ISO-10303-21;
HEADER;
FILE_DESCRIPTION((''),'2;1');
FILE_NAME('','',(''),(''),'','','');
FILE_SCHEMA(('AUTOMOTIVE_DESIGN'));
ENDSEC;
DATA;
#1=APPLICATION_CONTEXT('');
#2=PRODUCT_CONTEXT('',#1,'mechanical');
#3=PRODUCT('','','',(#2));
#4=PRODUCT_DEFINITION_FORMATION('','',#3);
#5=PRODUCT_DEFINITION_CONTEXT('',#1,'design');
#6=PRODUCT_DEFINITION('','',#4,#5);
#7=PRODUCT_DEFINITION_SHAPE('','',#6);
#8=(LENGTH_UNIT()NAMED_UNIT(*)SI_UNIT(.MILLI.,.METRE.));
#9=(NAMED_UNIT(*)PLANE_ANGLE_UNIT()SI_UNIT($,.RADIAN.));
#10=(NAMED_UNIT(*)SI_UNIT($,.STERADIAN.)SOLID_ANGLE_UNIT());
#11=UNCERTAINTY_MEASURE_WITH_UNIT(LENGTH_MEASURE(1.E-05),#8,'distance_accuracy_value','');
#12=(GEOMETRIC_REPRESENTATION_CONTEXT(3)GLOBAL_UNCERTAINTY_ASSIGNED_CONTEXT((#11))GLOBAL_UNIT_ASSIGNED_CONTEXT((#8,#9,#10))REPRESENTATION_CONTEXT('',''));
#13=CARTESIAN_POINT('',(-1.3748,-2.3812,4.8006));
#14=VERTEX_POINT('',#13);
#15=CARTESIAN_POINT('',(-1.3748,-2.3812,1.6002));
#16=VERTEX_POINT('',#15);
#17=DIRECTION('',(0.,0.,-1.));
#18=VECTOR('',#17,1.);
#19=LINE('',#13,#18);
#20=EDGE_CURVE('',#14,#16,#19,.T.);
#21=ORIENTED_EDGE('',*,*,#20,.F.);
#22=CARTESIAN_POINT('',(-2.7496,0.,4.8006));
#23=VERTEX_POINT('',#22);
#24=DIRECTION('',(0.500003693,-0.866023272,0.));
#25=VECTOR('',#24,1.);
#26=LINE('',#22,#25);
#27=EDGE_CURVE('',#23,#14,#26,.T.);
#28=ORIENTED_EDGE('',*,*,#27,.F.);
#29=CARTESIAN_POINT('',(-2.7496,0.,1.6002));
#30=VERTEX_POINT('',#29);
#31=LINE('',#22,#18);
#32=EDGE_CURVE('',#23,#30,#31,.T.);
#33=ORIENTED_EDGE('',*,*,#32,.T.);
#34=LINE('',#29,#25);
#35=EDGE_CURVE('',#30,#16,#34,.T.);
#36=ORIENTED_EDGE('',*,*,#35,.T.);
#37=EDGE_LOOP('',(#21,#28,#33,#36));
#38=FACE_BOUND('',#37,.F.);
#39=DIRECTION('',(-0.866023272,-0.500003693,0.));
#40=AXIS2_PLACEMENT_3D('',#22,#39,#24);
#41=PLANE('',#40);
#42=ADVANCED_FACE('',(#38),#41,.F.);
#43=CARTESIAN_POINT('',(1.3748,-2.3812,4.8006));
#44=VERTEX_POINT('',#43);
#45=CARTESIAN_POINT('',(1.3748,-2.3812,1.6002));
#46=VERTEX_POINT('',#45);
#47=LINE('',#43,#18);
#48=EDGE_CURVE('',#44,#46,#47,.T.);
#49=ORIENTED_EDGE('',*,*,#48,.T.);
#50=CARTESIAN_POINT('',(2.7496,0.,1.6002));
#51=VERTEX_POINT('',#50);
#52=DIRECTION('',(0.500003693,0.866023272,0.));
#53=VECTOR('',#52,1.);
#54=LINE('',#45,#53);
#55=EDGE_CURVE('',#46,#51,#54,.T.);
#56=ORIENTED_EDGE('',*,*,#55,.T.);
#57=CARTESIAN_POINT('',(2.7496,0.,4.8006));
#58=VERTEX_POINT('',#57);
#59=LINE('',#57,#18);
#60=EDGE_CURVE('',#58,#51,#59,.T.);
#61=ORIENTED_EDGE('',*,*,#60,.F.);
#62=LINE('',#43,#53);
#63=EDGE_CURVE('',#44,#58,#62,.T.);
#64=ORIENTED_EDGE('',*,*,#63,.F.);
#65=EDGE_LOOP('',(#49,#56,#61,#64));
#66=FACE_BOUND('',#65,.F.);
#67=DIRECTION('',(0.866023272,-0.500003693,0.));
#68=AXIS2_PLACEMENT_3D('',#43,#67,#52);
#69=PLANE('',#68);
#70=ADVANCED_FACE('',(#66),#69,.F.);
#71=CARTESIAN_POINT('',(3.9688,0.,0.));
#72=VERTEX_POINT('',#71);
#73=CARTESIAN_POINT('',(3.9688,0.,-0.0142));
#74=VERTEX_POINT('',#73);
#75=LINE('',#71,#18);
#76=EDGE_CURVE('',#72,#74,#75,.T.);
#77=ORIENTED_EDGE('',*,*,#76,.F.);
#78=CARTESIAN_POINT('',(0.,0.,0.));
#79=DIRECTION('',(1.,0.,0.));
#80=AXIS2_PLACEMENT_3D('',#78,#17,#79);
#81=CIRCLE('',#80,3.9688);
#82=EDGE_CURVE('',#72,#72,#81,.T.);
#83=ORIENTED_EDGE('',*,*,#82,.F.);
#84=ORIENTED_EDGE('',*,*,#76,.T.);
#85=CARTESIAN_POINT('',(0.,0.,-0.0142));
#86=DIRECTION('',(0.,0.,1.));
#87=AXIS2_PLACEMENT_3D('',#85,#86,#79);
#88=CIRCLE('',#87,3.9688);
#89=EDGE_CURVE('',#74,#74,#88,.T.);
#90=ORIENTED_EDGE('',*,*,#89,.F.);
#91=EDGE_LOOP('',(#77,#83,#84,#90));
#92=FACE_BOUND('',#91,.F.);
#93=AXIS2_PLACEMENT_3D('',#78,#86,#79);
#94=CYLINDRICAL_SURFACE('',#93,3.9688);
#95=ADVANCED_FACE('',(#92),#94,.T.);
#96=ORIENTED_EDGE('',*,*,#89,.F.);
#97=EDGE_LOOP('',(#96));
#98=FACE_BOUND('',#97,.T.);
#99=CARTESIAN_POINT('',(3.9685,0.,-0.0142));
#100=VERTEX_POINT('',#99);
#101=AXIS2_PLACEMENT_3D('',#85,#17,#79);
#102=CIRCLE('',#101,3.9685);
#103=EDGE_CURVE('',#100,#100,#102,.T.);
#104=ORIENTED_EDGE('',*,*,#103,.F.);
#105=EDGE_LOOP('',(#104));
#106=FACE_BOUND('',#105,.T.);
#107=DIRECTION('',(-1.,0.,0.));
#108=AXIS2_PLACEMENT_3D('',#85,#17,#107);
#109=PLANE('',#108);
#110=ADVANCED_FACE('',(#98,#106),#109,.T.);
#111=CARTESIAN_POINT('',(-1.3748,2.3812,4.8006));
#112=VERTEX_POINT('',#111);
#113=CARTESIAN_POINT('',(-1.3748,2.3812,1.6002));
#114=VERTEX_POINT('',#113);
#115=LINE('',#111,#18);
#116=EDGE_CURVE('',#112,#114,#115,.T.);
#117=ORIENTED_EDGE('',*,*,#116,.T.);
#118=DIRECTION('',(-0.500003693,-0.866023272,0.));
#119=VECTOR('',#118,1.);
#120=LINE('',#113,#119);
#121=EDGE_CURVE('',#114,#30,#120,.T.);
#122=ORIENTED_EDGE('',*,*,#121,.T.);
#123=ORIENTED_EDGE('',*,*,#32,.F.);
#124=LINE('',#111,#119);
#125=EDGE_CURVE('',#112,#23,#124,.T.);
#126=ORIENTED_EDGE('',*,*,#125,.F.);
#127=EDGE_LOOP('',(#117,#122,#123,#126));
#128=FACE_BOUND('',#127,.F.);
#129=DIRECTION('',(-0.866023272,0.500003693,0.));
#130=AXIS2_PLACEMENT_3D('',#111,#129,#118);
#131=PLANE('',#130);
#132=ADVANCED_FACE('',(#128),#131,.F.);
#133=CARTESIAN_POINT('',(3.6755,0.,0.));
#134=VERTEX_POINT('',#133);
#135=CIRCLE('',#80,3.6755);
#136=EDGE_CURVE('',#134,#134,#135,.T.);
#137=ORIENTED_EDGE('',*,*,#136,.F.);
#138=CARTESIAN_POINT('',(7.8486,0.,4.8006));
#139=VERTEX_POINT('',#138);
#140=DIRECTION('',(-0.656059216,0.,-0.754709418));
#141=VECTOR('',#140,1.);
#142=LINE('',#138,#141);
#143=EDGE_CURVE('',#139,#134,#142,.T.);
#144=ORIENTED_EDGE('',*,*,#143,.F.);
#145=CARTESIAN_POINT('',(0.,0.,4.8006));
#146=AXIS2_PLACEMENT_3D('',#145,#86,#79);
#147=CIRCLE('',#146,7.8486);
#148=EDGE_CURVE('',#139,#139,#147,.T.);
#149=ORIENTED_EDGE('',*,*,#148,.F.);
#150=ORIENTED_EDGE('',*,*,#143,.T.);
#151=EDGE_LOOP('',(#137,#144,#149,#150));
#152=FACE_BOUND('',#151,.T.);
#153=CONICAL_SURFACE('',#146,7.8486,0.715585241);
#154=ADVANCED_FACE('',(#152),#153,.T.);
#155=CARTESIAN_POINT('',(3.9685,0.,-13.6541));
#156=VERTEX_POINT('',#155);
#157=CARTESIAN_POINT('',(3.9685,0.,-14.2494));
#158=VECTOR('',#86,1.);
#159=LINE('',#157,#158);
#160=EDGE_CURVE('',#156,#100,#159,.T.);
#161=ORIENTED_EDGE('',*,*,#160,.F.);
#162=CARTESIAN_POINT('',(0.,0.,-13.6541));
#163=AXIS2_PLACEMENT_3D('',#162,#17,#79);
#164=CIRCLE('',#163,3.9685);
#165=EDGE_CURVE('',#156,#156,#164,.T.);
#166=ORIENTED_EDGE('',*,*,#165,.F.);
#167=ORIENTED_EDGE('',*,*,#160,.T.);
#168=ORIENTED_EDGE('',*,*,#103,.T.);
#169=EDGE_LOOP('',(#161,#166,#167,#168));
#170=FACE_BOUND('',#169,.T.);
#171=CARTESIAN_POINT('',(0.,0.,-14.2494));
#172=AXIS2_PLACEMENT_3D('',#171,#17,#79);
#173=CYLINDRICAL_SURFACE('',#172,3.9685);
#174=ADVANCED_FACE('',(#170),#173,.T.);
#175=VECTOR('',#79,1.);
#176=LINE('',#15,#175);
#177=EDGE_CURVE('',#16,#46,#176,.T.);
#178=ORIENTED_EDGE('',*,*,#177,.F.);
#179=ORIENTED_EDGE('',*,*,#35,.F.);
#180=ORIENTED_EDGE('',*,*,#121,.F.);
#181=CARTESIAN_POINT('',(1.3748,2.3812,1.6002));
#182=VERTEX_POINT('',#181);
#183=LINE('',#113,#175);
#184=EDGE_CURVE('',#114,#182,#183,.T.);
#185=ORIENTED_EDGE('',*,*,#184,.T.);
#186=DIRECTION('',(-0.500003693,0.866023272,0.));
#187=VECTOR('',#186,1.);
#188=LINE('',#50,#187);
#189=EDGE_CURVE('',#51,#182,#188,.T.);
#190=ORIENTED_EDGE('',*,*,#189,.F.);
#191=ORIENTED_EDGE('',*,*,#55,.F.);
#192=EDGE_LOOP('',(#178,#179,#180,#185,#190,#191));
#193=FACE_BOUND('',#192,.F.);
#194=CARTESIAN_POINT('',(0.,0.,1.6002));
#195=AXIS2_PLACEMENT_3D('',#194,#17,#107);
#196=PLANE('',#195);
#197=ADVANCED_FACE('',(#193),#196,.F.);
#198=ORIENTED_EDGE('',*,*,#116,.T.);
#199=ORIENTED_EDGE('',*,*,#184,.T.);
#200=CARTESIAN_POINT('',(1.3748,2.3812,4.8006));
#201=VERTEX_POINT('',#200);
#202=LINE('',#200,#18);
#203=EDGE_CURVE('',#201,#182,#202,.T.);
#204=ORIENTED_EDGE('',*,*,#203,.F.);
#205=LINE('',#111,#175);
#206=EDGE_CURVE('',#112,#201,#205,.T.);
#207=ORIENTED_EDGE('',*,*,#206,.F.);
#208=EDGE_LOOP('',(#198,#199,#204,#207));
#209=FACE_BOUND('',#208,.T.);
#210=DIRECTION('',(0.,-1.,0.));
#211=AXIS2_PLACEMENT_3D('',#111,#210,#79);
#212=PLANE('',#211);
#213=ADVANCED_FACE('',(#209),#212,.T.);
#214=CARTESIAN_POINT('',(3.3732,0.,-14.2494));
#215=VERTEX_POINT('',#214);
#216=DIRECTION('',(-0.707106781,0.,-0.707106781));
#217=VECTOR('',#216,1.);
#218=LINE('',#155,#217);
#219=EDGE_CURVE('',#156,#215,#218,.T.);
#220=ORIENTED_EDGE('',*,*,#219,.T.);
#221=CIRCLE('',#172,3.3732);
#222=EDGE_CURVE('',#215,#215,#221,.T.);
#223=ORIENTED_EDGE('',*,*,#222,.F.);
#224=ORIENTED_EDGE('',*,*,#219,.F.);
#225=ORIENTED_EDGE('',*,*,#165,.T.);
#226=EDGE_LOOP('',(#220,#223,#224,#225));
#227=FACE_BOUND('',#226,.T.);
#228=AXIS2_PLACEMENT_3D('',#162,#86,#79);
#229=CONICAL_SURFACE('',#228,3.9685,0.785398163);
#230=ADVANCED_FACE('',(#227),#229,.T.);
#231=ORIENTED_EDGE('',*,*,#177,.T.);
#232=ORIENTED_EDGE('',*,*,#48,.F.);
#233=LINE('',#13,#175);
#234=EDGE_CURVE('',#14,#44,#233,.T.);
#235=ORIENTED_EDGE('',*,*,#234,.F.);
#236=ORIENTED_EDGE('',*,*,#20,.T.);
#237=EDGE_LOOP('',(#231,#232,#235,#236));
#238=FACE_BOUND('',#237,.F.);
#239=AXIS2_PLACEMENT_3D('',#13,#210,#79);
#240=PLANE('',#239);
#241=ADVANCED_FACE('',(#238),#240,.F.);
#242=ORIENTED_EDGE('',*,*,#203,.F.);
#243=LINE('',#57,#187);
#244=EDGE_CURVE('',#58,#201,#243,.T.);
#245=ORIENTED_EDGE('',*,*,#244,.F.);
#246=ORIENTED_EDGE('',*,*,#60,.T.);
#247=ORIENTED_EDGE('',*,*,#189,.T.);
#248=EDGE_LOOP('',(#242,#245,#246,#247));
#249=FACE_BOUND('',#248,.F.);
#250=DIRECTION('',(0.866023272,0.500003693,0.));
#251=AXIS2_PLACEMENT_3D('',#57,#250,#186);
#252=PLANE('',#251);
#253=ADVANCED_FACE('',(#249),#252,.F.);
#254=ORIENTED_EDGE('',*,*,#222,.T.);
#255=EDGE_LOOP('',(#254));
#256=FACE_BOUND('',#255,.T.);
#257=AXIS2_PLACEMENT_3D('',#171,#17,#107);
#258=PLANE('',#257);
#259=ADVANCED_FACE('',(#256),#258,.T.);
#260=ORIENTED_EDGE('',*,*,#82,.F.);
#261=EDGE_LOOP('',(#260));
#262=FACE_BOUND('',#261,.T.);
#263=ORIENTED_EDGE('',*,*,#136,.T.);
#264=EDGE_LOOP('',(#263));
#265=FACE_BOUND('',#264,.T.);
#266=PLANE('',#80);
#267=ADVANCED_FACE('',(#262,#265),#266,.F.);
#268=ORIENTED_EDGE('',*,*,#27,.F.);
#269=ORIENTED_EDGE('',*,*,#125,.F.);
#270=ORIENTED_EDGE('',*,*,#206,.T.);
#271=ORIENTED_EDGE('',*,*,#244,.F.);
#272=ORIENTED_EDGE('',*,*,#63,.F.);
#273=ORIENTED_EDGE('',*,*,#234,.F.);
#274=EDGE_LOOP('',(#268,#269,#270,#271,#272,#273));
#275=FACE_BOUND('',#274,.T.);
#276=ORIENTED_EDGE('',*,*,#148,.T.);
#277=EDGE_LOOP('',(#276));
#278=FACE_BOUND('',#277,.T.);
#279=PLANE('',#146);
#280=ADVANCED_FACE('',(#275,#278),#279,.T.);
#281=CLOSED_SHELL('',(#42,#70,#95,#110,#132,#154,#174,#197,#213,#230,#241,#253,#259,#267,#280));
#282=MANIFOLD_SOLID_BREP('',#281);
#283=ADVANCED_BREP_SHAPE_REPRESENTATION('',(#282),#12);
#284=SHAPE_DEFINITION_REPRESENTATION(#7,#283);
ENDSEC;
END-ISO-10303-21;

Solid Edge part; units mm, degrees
sketch "Sketch1" plane through (0, 0, 0) normal (0, 0, 1) x (1, 0, 0)
  circle A0 centre (0, 0) radius 7.8486
  dimension "D1" = 15.6972
extrude "Protrusion1" add sketch "Sketch1" along normal blind 4.8006
sketch "Sketch2" plane through (0, 0, 0) normal (0, 0, -1) x (1, 0, 0)
  circle A0 centre (0, 0) radius 3.9688
extrude "Protrusion2" add sketch "Sketch2" along normal blind 14.2494
sketch "Sketch3" plane through (0, 0, -14.2494) normal (0, 0, -1) x (1, 0, 0)
  circle A0 centre (0, 0) radius 3.9685
extrude "Cutout1" cut sketch "Sketch3" against normal blind 14.2352 flip side to cut
chamfer "Chamfer_1" distance 0.5953 angle 45 1 edges at (-3.9685, 0, -14.2494)
sketch "Sketch4" plane through (0, 0, 4.8006) normal (0, 0, 1) x (1, 0, 0)
  line L0 (-1.3748, 2.3812) -> (1.3748, 2.3812)
  line L1 (2.7496, 0) -> (1.3748, 2.3812)
  line L2 (1.3748, -2.3812) -> (2.7496, 0)
  line L3 (-1.3748, -2.3812) -> (1.3748, -2.3812)
  line L4 (-2.7496, 0) -> (-1.3748, -2.3812)
  line L5 (-1.3748, 2.3812) -> (-2.7496, 0)
  dimension "D1" = 4.7625
extrude "Cutout2" cut sketch "Sketch4" against normal blind 3.2004
sketch "Sketch5" plane through (0, 0, 0) normal (0, -1, 0) x (1, 0, 0)
  line L0 (7.8486, 4.8006) -> (3.6755, 0)
  line L1 (3.6755, 0) -> (7.8486, 0)
  line L2 (7.8486, 0) -> (7.8486, 4.8006)
revolve "RevolvedCutout1" cut sketch "Sketch5" angle 360 about axis through (0, 0, 14.0017) along (0, 0, -1)
properties part number "24101007"
